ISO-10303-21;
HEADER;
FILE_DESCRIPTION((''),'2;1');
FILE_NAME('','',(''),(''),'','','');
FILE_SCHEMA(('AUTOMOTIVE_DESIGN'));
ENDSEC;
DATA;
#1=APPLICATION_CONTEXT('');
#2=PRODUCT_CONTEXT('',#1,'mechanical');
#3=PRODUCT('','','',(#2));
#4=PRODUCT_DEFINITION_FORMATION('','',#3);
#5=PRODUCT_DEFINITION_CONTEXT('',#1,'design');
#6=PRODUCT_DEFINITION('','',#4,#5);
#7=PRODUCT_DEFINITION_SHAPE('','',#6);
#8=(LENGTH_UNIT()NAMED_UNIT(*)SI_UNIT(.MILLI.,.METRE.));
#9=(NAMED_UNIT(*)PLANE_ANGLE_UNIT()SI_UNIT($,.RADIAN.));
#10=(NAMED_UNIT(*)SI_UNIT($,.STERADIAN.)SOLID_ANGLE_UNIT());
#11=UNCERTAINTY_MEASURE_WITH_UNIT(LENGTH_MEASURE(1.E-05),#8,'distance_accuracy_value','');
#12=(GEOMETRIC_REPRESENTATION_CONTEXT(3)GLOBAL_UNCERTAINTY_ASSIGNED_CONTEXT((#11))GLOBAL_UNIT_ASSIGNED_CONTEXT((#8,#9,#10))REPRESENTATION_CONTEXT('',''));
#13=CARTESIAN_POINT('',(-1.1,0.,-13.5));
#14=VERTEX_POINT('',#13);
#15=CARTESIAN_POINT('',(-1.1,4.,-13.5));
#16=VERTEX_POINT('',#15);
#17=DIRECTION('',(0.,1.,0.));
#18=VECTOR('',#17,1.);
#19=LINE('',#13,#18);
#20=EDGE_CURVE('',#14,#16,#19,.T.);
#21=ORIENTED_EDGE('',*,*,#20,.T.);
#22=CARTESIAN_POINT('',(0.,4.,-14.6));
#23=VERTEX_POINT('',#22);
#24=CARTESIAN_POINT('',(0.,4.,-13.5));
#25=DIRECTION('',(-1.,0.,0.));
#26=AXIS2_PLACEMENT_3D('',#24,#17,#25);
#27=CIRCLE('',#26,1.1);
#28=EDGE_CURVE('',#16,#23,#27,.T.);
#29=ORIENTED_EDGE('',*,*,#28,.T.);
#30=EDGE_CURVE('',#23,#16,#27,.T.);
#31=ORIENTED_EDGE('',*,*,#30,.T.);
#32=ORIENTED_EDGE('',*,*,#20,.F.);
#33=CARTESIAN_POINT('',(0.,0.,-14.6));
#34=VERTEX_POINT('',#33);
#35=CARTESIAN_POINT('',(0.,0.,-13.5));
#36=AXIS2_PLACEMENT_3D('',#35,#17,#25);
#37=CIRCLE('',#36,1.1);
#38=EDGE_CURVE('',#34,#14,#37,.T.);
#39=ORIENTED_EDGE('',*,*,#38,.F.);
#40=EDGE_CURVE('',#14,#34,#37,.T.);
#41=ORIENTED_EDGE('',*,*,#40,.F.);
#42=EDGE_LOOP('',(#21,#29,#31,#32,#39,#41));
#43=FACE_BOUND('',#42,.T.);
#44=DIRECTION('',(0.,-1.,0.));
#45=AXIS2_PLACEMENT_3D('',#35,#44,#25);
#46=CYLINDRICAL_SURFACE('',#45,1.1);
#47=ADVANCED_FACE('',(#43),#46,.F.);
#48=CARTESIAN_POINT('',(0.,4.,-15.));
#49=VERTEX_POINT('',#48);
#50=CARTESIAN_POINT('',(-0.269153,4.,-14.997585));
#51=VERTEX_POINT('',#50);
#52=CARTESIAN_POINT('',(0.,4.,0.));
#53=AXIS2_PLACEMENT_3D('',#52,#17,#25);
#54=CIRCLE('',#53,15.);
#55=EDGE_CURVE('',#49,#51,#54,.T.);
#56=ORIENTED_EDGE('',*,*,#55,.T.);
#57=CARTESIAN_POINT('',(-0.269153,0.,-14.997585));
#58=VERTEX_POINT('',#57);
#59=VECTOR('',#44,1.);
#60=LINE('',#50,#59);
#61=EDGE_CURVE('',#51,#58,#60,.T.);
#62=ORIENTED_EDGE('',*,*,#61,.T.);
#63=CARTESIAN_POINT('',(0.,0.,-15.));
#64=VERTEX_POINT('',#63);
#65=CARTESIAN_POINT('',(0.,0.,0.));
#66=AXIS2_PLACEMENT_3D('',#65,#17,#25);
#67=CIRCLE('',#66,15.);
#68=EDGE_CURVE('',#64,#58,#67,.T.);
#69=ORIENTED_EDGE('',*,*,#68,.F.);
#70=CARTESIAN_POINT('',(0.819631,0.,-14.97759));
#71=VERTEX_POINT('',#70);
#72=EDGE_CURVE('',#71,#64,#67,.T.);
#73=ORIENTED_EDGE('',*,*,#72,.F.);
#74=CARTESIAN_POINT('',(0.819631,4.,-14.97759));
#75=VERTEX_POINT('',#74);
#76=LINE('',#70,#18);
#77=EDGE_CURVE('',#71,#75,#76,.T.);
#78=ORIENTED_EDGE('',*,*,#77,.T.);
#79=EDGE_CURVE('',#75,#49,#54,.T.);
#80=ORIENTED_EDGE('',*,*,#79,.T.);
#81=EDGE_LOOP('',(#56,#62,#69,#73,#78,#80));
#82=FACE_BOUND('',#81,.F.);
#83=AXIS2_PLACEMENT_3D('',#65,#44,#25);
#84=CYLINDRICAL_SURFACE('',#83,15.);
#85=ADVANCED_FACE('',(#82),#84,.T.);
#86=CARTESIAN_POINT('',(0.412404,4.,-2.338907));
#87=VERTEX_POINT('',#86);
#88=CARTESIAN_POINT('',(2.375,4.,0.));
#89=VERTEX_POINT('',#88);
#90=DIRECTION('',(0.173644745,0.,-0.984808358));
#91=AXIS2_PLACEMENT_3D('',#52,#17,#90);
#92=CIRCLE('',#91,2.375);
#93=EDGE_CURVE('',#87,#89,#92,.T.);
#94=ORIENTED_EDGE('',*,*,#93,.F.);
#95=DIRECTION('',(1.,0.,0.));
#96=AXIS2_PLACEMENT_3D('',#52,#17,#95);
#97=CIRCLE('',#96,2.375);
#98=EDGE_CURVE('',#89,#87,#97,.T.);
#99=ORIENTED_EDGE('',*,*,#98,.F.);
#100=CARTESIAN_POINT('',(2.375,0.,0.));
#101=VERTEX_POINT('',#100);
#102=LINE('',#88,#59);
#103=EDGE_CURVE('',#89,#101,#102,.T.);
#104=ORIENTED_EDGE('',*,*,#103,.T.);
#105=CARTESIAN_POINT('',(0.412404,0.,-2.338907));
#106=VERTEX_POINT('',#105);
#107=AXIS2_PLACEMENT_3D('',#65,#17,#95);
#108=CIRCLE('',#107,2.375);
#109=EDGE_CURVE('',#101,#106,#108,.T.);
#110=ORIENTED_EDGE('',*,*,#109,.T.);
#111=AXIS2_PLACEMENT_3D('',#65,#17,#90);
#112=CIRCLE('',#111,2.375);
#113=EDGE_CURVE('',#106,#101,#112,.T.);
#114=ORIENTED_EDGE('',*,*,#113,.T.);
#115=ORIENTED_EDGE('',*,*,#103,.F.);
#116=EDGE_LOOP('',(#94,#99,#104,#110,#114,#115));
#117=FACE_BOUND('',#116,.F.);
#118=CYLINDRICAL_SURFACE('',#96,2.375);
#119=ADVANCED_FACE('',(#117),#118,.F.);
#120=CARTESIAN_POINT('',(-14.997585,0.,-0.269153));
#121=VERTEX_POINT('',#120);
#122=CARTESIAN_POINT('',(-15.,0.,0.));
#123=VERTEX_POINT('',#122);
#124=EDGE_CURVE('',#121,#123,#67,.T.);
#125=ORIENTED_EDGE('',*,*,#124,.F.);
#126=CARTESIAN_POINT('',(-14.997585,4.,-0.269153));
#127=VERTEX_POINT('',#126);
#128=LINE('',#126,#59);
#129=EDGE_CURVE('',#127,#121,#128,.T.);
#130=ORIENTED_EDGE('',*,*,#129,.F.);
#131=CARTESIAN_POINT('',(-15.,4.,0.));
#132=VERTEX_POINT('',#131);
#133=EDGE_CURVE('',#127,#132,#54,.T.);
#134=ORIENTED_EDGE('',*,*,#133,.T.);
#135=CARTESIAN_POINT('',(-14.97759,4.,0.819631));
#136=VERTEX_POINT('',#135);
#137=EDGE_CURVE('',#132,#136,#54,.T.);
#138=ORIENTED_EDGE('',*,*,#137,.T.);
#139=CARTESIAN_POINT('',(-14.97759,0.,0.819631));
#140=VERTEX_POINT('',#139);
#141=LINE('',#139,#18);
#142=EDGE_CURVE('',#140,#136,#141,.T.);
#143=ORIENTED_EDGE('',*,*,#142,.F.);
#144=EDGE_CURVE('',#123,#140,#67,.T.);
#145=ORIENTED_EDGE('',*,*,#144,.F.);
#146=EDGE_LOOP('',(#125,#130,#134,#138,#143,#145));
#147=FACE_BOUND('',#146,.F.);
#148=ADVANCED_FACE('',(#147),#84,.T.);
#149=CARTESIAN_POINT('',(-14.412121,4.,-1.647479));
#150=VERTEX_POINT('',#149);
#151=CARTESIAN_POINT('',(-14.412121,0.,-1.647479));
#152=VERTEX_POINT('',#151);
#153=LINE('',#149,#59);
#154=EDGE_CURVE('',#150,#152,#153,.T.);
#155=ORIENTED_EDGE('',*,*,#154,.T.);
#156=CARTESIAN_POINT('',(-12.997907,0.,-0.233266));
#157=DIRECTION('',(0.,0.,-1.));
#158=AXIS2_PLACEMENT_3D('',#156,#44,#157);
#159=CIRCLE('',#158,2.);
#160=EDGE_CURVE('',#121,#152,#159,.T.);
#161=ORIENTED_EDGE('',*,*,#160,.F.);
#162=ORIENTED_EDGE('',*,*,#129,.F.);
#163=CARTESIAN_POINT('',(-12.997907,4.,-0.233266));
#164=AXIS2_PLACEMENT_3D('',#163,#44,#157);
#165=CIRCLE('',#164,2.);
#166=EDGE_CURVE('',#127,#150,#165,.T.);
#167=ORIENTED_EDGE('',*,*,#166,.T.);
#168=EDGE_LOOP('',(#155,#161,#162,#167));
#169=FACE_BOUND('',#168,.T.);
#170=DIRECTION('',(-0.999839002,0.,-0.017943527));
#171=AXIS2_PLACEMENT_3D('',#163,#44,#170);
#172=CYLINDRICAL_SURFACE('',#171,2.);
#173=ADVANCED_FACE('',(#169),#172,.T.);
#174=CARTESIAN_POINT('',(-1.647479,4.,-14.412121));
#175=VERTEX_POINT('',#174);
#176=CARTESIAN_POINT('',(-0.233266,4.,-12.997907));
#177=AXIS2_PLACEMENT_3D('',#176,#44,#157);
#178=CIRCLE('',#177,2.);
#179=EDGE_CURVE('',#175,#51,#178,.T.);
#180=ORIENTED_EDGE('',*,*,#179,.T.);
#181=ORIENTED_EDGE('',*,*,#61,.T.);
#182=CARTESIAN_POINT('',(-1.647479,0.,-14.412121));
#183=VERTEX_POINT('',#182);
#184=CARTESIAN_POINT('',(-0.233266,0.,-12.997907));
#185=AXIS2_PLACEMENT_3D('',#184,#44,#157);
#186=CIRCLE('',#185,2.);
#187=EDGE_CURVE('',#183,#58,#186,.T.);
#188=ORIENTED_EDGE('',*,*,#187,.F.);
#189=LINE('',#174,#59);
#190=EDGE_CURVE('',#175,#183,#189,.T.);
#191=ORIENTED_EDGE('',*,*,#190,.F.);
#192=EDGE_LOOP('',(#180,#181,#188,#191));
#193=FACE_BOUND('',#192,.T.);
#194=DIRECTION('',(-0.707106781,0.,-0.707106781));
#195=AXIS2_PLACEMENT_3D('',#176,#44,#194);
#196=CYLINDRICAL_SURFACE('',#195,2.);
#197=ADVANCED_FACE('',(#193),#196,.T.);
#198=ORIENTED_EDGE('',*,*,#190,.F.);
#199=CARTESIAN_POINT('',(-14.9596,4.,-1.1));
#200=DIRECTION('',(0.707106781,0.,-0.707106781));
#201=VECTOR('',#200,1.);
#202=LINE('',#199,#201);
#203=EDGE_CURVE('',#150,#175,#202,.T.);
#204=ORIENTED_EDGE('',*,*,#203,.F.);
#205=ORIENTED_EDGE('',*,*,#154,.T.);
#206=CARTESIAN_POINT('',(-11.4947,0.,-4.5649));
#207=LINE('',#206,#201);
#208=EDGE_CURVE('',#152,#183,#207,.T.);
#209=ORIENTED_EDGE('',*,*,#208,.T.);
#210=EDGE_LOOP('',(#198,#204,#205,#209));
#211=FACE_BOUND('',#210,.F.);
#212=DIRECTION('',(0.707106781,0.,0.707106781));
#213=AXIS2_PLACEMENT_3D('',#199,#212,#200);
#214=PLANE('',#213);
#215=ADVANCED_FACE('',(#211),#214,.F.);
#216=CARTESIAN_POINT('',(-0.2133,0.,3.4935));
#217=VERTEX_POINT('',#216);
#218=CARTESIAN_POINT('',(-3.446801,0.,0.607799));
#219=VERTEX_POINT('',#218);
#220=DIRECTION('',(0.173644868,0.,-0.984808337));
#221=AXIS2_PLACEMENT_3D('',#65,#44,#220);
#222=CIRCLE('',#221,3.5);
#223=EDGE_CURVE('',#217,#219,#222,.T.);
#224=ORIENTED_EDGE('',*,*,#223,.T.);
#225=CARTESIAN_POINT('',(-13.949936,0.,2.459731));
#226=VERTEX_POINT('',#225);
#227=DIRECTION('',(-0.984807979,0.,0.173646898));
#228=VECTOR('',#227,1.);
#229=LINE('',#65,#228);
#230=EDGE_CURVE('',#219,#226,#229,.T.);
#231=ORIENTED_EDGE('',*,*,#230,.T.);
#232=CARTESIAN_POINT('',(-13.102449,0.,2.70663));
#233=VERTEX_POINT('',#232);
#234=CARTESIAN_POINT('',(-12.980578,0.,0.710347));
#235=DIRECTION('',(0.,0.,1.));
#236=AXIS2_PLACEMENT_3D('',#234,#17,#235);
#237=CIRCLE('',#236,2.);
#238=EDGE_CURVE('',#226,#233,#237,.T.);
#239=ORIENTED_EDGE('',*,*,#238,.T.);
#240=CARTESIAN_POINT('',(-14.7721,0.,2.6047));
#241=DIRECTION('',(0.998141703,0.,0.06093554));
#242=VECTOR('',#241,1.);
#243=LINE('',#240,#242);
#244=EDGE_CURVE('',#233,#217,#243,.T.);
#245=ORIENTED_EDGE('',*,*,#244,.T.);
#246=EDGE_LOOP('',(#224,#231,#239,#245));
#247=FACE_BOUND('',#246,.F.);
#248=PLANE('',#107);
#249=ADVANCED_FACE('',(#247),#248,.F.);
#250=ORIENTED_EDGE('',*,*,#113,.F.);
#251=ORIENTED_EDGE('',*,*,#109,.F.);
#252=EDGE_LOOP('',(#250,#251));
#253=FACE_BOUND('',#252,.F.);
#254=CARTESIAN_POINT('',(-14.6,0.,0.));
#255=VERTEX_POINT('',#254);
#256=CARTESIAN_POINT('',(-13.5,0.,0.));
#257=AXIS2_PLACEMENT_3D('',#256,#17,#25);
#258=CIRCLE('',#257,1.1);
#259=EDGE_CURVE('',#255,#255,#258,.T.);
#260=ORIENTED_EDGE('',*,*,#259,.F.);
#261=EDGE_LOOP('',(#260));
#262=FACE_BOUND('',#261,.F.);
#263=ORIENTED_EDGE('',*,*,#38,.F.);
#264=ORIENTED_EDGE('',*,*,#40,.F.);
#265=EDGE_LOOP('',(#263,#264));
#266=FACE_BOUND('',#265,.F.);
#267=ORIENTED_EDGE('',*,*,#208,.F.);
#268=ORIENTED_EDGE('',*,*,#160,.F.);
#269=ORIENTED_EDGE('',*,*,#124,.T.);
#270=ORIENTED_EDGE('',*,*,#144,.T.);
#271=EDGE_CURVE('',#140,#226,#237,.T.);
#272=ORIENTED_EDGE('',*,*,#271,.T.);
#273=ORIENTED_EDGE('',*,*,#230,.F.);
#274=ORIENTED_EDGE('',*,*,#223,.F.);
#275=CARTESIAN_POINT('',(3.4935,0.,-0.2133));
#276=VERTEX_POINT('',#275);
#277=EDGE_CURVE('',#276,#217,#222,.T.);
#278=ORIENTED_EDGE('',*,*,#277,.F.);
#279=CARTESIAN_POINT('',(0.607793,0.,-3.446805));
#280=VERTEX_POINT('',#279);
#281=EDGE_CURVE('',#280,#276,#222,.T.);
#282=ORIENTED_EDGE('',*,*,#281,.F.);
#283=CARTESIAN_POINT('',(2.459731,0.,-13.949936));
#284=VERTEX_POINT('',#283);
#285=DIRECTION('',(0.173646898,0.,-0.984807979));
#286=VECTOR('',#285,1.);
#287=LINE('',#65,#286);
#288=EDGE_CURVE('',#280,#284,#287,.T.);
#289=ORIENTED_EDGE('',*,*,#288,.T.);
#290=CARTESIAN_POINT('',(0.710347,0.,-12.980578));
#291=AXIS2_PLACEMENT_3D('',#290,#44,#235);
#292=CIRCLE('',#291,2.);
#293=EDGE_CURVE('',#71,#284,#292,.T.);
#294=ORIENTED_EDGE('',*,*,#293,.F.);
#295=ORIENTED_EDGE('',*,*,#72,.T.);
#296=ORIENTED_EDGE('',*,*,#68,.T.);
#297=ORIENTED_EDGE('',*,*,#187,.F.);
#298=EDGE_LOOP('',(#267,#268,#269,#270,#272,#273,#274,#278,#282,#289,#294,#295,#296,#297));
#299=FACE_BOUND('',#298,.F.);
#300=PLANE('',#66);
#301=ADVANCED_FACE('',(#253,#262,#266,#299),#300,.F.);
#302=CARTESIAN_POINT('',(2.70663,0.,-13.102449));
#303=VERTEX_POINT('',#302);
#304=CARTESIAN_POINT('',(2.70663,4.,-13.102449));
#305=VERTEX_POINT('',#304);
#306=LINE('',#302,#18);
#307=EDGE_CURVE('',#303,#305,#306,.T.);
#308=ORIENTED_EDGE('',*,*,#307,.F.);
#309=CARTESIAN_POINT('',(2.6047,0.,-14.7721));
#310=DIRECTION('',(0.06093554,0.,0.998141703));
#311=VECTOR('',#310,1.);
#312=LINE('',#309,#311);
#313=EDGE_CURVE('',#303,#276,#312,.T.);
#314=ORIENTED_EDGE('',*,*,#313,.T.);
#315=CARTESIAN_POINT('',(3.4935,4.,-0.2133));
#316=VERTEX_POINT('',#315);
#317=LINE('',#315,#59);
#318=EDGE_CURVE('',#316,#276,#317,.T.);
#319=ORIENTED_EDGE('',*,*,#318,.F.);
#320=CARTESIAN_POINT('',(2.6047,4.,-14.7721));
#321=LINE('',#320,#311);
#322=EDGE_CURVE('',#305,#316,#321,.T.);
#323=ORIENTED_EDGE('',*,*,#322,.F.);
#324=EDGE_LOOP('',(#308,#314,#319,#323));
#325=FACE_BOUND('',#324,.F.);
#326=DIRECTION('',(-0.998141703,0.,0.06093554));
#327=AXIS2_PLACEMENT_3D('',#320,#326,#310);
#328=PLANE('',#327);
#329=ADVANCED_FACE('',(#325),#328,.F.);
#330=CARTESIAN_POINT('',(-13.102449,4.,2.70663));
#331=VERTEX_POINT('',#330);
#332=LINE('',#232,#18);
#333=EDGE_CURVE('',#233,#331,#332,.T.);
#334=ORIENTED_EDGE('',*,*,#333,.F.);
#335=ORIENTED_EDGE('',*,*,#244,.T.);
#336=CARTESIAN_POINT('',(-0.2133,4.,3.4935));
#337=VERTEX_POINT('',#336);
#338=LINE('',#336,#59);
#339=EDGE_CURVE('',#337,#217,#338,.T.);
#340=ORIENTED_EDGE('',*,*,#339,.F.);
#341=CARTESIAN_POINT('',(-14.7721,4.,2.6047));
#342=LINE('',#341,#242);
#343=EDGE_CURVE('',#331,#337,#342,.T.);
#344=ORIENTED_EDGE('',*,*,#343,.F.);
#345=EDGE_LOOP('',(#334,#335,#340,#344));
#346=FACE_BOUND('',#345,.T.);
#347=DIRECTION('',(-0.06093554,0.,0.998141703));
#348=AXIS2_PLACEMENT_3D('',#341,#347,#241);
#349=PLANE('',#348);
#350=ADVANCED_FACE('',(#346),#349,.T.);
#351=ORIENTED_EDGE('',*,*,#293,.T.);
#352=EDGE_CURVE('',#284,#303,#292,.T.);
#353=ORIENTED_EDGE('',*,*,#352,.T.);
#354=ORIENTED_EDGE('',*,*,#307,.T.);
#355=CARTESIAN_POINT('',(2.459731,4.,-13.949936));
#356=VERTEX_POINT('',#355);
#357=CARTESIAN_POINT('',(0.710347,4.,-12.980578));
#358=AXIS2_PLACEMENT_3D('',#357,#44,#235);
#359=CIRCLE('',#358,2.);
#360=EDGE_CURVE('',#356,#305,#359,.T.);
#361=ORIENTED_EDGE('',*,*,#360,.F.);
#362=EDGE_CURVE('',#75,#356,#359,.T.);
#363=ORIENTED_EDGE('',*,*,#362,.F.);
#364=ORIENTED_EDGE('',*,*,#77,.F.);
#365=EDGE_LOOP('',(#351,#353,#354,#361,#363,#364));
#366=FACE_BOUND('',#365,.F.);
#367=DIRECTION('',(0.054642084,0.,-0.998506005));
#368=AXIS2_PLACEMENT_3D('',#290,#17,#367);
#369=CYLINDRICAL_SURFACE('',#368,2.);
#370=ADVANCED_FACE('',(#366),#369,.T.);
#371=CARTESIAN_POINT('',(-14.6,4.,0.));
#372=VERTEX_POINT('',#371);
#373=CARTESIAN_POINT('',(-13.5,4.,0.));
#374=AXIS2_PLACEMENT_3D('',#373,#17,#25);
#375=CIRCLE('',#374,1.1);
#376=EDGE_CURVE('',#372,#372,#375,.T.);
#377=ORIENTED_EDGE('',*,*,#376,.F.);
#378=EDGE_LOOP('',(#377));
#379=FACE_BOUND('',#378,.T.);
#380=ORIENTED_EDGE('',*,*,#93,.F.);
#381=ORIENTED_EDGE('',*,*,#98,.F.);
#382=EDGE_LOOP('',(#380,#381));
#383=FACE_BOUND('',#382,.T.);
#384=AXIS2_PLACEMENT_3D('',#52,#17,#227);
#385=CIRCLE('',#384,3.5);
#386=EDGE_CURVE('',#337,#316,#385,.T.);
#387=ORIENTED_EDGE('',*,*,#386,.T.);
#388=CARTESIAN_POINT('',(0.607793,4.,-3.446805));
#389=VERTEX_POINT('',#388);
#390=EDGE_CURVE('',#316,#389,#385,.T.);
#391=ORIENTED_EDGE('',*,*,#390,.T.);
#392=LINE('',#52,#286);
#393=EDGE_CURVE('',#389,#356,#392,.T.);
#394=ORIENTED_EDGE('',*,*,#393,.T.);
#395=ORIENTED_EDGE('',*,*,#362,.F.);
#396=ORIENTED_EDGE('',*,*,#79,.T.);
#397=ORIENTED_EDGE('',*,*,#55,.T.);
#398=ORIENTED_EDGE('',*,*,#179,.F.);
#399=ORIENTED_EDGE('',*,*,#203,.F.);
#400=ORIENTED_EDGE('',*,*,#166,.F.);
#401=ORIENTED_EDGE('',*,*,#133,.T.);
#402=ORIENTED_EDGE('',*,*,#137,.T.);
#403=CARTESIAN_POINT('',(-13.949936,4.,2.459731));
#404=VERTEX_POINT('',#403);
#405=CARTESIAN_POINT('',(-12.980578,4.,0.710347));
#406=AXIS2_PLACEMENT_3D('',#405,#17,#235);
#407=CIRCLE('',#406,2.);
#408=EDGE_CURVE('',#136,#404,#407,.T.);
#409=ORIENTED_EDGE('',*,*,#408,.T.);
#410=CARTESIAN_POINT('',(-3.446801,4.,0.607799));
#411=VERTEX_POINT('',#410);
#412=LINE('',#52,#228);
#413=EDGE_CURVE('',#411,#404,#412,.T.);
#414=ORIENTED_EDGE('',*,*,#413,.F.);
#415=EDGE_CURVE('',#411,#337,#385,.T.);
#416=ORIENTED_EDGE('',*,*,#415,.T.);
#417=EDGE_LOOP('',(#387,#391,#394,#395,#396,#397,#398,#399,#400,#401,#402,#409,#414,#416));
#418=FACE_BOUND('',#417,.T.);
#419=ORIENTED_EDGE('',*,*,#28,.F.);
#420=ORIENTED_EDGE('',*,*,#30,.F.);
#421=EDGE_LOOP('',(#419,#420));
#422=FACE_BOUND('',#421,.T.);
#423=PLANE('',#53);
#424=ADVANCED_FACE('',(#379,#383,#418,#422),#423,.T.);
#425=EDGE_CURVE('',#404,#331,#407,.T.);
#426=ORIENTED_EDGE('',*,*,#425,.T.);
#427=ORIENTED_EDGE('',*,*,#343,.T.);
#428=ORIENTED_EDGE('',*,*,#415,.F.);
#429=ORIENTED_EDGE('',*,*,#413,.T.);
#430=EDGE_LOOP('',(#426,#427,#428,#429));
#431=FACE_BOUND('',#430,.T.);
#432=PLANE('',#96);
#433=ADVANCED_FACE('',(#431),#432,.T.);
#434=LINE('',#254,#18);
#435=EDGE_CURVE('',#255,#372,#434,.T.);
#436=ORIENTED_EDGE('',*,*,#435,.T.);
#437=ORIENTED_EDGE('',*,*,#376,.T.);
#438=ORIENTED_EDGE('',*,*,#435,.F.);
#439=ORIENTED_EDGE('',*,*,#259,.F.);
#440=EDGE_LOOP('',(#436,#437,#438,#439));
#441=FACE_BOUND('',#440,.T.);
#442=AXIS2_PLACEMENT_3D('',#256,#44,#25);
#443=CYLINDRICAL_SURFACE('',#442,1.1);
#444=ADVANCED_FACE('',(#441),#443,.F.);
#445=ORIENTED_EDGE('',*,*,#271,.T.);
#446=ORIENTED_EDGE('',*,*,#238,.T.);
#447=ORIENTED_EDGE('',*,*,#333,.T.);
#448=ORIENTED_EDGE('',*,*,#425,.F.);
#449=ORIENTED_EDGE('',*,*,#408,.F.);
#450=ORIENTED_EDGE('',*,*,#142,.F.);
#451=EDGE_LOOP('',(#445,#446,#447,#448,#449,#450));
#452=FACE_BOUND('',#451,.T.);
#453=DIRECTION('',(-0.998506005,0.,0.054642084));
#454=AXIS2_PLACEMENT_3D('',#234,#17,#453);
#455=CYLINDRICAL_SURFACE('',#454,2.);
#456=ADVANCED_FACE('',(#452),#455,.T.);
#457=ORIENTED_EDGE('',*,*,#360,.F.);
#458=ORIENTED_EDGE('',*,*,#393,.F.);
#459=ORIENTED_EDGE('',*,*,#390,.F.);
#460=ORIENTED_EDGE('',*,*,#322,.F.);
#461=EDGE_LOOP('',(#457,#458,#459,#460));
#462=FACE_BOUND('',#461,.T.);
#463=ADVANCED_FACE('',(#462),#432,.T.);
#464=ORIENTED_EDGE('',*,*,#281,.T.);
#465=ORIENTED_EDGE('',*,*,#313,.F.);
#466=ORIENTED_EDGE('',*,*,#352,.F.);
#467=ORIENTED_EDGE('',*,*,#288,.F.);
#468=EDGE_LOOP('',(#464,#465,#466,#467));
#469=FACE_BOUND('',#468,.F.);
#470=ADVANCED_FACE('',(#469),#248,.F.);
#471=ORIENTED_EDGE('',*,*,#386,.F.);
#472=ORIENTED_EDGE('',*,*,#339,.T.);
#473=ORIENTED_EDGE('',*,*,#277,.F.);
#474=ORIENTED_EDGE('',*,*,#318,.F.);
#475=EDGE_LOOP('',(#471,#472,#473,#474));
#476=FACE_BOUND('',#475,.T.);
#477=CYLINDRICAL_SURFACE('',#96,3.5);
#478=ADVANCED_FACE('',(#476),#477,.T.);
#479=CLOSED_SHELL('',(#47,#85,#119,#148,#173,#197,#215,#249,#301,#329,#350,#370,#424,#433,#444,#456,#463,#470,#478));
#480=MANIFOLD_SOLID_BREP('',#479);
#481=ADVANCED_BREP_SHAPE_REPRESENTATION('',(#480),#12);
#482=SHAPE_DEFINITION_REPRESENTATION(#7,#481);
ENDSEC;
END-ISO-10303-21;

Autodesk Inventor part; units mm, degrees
ref_plane "YZ Plane" through (0, 0, 0) normal (1, 0, 0) x (0, 1, 0)
ref_plane "XZ Plane" through (0, 0, 0) normal (0, 1, 0) x (-1, 0, 0)
ref_plane "XY Plane" through (0, 0, 0) normal (0, 0, 1) x (1, 0, 0)
sketch "Sketch1" plane through (0, 0, 0) normal (0, 1, 0) x (-1, 0, 0)
  circle A0 centre (0, 0) radius 15
  line L0 (0, 0) -> (14.7721, 2.6047)
  line L1 (0, 0) -> (15, 0) construction
  line L2 (0, 0) -> (-2.6047, -14.7721)
  line L3 (0, 0) -> (15, 0) construction
  line L4 (15, 0) -> (13.5, 0)
  circle A1 centre (13.5, 0) radius 1.1
  line L5 (0, -15) -> (0, -13.5)
  circle A2 centre (0, -13.5) radius 1.1
  dimension "d0" = 30
  dimension "d1" = 10
  dimension "d2" = 100
  dimension "d3" = 1.5
  dimension "d4" = 2.2
  dimension "d5" = 1.5
  dimension "d6" = 2.2
extrude "Extrusion1" add sketch "Sketch1" along normal blind 4 contours A0 L2 L0 picked at (8.0845, -3.2878)
sketch "Sketch2" plane through (0, 4, 0) normal (0, 1, 0) x (1, 0, 0)
  line L0 (0, 0) -> (2.6047, 14.7721) projected
  circle A0 centre (0, 0) radius 1
  dimension "d9" = 2
extrude "Extrusion2" cut sketch "Sketch2" against normal blind 4
sketch "Sketch3" plane through (0, 4, 0) normal (0, 1, 0) x (1, 0, 0)
  circle A0 centre (0, 0) radius 2.375
  dimension "d12" = 4.75
extrude "Extrusion3" cut sketch "Sketch3" against normal blind 10
sketch "Sketch4" plane through (0, 4, 0) normal (0, 1, 0) x (1, 0, 0)
  circle A0 centre (0, 0) radius 3.5
  line L0 (0.4124, 2.3389) -> (2.6047, 14.7721) projected
  circle A1 centre (0, 0) radius 2.375
  dimension "d15" = 7
extrude "Extrusion4" add sketch "Sketch4" against normal blind 4
sketch "Sketch5" plane through (0, 4, 0) normal (0, 1, 0) x (1, 0, 0)
  arc A0 (2.6047, 14.7721) -> (-14.7721, -2.6047) centre (0, 0) ccw projected
  line L0 (2.6047, 14.7721) -> (3.4935, 0.2133)
  arc A1 (-3.4468, -0.6078) -> (0.6078, 3.4468) centre (0, 0) ccw projected
  line L1 (-14.7721, -2.6047) -> (-3.4468, -0.6078) projected
  line L2 (-14.7721, -2.6047) -> (-0.2133, -3.4935)
  line L3 (-14.7721, -2.6047) -> (-3.4468, -0.6078)
  line L4 (0.6078, 3.4468) -> (2.6047, 14.7721) projected
  line L5 (2.6047, 14.7721) -> (0.6078, 3.4468)
  circle A2 centre (0, 0) radius 3.5
extrude "Extrusion5" add sketch "Sketch5" against normal blind 4 contours L0 A1 L4 | L1 A1 L2
fillet "Fillet1" radius 2 2 edges at (-14.7721, 2, 2.6047) (2.6047, 2, -14.7721)
sketch "Sketch6" plane through (0, 4, 0) normal (0, 1, 0) x (1, 0, 0)
  circle A0 centre (0, 13.5) radius 1.1 projected
  line L0 (-1.1, 13.5) -> (-1.1, 18.6359)
  circle A1 centre (-13.5, 0) radius 1.1 projected
  line L1 (-13.5, 1.1) -> (-18.0154, 1.1)
  arc A2 (0.8197, 14.9776) -> (-14.9776, -0.8197) centre (0, 0) ccw projected
  line L2 (-14.9596, 1.1) -> (-1.1, 14.9596)
  line L3 (-1.1, 14.9596) -> (-5.2086, 18.0633)
  line L4 (-5.2086, 18.0633) -> (-18.2073, 3.056)
  line L5 (-18.2073, 3.056) -> (-14.9596, 1.1)
extrude "Extrusion6" cut sketch "Sketch6" against normal blind 40 contours L2 A2
fillet "Fillet2" radius 2 2 edges at (-14.9596, 2, -1.1) (-1.1, 2, -14.9596)
properties part number "bell_crank_v1"
